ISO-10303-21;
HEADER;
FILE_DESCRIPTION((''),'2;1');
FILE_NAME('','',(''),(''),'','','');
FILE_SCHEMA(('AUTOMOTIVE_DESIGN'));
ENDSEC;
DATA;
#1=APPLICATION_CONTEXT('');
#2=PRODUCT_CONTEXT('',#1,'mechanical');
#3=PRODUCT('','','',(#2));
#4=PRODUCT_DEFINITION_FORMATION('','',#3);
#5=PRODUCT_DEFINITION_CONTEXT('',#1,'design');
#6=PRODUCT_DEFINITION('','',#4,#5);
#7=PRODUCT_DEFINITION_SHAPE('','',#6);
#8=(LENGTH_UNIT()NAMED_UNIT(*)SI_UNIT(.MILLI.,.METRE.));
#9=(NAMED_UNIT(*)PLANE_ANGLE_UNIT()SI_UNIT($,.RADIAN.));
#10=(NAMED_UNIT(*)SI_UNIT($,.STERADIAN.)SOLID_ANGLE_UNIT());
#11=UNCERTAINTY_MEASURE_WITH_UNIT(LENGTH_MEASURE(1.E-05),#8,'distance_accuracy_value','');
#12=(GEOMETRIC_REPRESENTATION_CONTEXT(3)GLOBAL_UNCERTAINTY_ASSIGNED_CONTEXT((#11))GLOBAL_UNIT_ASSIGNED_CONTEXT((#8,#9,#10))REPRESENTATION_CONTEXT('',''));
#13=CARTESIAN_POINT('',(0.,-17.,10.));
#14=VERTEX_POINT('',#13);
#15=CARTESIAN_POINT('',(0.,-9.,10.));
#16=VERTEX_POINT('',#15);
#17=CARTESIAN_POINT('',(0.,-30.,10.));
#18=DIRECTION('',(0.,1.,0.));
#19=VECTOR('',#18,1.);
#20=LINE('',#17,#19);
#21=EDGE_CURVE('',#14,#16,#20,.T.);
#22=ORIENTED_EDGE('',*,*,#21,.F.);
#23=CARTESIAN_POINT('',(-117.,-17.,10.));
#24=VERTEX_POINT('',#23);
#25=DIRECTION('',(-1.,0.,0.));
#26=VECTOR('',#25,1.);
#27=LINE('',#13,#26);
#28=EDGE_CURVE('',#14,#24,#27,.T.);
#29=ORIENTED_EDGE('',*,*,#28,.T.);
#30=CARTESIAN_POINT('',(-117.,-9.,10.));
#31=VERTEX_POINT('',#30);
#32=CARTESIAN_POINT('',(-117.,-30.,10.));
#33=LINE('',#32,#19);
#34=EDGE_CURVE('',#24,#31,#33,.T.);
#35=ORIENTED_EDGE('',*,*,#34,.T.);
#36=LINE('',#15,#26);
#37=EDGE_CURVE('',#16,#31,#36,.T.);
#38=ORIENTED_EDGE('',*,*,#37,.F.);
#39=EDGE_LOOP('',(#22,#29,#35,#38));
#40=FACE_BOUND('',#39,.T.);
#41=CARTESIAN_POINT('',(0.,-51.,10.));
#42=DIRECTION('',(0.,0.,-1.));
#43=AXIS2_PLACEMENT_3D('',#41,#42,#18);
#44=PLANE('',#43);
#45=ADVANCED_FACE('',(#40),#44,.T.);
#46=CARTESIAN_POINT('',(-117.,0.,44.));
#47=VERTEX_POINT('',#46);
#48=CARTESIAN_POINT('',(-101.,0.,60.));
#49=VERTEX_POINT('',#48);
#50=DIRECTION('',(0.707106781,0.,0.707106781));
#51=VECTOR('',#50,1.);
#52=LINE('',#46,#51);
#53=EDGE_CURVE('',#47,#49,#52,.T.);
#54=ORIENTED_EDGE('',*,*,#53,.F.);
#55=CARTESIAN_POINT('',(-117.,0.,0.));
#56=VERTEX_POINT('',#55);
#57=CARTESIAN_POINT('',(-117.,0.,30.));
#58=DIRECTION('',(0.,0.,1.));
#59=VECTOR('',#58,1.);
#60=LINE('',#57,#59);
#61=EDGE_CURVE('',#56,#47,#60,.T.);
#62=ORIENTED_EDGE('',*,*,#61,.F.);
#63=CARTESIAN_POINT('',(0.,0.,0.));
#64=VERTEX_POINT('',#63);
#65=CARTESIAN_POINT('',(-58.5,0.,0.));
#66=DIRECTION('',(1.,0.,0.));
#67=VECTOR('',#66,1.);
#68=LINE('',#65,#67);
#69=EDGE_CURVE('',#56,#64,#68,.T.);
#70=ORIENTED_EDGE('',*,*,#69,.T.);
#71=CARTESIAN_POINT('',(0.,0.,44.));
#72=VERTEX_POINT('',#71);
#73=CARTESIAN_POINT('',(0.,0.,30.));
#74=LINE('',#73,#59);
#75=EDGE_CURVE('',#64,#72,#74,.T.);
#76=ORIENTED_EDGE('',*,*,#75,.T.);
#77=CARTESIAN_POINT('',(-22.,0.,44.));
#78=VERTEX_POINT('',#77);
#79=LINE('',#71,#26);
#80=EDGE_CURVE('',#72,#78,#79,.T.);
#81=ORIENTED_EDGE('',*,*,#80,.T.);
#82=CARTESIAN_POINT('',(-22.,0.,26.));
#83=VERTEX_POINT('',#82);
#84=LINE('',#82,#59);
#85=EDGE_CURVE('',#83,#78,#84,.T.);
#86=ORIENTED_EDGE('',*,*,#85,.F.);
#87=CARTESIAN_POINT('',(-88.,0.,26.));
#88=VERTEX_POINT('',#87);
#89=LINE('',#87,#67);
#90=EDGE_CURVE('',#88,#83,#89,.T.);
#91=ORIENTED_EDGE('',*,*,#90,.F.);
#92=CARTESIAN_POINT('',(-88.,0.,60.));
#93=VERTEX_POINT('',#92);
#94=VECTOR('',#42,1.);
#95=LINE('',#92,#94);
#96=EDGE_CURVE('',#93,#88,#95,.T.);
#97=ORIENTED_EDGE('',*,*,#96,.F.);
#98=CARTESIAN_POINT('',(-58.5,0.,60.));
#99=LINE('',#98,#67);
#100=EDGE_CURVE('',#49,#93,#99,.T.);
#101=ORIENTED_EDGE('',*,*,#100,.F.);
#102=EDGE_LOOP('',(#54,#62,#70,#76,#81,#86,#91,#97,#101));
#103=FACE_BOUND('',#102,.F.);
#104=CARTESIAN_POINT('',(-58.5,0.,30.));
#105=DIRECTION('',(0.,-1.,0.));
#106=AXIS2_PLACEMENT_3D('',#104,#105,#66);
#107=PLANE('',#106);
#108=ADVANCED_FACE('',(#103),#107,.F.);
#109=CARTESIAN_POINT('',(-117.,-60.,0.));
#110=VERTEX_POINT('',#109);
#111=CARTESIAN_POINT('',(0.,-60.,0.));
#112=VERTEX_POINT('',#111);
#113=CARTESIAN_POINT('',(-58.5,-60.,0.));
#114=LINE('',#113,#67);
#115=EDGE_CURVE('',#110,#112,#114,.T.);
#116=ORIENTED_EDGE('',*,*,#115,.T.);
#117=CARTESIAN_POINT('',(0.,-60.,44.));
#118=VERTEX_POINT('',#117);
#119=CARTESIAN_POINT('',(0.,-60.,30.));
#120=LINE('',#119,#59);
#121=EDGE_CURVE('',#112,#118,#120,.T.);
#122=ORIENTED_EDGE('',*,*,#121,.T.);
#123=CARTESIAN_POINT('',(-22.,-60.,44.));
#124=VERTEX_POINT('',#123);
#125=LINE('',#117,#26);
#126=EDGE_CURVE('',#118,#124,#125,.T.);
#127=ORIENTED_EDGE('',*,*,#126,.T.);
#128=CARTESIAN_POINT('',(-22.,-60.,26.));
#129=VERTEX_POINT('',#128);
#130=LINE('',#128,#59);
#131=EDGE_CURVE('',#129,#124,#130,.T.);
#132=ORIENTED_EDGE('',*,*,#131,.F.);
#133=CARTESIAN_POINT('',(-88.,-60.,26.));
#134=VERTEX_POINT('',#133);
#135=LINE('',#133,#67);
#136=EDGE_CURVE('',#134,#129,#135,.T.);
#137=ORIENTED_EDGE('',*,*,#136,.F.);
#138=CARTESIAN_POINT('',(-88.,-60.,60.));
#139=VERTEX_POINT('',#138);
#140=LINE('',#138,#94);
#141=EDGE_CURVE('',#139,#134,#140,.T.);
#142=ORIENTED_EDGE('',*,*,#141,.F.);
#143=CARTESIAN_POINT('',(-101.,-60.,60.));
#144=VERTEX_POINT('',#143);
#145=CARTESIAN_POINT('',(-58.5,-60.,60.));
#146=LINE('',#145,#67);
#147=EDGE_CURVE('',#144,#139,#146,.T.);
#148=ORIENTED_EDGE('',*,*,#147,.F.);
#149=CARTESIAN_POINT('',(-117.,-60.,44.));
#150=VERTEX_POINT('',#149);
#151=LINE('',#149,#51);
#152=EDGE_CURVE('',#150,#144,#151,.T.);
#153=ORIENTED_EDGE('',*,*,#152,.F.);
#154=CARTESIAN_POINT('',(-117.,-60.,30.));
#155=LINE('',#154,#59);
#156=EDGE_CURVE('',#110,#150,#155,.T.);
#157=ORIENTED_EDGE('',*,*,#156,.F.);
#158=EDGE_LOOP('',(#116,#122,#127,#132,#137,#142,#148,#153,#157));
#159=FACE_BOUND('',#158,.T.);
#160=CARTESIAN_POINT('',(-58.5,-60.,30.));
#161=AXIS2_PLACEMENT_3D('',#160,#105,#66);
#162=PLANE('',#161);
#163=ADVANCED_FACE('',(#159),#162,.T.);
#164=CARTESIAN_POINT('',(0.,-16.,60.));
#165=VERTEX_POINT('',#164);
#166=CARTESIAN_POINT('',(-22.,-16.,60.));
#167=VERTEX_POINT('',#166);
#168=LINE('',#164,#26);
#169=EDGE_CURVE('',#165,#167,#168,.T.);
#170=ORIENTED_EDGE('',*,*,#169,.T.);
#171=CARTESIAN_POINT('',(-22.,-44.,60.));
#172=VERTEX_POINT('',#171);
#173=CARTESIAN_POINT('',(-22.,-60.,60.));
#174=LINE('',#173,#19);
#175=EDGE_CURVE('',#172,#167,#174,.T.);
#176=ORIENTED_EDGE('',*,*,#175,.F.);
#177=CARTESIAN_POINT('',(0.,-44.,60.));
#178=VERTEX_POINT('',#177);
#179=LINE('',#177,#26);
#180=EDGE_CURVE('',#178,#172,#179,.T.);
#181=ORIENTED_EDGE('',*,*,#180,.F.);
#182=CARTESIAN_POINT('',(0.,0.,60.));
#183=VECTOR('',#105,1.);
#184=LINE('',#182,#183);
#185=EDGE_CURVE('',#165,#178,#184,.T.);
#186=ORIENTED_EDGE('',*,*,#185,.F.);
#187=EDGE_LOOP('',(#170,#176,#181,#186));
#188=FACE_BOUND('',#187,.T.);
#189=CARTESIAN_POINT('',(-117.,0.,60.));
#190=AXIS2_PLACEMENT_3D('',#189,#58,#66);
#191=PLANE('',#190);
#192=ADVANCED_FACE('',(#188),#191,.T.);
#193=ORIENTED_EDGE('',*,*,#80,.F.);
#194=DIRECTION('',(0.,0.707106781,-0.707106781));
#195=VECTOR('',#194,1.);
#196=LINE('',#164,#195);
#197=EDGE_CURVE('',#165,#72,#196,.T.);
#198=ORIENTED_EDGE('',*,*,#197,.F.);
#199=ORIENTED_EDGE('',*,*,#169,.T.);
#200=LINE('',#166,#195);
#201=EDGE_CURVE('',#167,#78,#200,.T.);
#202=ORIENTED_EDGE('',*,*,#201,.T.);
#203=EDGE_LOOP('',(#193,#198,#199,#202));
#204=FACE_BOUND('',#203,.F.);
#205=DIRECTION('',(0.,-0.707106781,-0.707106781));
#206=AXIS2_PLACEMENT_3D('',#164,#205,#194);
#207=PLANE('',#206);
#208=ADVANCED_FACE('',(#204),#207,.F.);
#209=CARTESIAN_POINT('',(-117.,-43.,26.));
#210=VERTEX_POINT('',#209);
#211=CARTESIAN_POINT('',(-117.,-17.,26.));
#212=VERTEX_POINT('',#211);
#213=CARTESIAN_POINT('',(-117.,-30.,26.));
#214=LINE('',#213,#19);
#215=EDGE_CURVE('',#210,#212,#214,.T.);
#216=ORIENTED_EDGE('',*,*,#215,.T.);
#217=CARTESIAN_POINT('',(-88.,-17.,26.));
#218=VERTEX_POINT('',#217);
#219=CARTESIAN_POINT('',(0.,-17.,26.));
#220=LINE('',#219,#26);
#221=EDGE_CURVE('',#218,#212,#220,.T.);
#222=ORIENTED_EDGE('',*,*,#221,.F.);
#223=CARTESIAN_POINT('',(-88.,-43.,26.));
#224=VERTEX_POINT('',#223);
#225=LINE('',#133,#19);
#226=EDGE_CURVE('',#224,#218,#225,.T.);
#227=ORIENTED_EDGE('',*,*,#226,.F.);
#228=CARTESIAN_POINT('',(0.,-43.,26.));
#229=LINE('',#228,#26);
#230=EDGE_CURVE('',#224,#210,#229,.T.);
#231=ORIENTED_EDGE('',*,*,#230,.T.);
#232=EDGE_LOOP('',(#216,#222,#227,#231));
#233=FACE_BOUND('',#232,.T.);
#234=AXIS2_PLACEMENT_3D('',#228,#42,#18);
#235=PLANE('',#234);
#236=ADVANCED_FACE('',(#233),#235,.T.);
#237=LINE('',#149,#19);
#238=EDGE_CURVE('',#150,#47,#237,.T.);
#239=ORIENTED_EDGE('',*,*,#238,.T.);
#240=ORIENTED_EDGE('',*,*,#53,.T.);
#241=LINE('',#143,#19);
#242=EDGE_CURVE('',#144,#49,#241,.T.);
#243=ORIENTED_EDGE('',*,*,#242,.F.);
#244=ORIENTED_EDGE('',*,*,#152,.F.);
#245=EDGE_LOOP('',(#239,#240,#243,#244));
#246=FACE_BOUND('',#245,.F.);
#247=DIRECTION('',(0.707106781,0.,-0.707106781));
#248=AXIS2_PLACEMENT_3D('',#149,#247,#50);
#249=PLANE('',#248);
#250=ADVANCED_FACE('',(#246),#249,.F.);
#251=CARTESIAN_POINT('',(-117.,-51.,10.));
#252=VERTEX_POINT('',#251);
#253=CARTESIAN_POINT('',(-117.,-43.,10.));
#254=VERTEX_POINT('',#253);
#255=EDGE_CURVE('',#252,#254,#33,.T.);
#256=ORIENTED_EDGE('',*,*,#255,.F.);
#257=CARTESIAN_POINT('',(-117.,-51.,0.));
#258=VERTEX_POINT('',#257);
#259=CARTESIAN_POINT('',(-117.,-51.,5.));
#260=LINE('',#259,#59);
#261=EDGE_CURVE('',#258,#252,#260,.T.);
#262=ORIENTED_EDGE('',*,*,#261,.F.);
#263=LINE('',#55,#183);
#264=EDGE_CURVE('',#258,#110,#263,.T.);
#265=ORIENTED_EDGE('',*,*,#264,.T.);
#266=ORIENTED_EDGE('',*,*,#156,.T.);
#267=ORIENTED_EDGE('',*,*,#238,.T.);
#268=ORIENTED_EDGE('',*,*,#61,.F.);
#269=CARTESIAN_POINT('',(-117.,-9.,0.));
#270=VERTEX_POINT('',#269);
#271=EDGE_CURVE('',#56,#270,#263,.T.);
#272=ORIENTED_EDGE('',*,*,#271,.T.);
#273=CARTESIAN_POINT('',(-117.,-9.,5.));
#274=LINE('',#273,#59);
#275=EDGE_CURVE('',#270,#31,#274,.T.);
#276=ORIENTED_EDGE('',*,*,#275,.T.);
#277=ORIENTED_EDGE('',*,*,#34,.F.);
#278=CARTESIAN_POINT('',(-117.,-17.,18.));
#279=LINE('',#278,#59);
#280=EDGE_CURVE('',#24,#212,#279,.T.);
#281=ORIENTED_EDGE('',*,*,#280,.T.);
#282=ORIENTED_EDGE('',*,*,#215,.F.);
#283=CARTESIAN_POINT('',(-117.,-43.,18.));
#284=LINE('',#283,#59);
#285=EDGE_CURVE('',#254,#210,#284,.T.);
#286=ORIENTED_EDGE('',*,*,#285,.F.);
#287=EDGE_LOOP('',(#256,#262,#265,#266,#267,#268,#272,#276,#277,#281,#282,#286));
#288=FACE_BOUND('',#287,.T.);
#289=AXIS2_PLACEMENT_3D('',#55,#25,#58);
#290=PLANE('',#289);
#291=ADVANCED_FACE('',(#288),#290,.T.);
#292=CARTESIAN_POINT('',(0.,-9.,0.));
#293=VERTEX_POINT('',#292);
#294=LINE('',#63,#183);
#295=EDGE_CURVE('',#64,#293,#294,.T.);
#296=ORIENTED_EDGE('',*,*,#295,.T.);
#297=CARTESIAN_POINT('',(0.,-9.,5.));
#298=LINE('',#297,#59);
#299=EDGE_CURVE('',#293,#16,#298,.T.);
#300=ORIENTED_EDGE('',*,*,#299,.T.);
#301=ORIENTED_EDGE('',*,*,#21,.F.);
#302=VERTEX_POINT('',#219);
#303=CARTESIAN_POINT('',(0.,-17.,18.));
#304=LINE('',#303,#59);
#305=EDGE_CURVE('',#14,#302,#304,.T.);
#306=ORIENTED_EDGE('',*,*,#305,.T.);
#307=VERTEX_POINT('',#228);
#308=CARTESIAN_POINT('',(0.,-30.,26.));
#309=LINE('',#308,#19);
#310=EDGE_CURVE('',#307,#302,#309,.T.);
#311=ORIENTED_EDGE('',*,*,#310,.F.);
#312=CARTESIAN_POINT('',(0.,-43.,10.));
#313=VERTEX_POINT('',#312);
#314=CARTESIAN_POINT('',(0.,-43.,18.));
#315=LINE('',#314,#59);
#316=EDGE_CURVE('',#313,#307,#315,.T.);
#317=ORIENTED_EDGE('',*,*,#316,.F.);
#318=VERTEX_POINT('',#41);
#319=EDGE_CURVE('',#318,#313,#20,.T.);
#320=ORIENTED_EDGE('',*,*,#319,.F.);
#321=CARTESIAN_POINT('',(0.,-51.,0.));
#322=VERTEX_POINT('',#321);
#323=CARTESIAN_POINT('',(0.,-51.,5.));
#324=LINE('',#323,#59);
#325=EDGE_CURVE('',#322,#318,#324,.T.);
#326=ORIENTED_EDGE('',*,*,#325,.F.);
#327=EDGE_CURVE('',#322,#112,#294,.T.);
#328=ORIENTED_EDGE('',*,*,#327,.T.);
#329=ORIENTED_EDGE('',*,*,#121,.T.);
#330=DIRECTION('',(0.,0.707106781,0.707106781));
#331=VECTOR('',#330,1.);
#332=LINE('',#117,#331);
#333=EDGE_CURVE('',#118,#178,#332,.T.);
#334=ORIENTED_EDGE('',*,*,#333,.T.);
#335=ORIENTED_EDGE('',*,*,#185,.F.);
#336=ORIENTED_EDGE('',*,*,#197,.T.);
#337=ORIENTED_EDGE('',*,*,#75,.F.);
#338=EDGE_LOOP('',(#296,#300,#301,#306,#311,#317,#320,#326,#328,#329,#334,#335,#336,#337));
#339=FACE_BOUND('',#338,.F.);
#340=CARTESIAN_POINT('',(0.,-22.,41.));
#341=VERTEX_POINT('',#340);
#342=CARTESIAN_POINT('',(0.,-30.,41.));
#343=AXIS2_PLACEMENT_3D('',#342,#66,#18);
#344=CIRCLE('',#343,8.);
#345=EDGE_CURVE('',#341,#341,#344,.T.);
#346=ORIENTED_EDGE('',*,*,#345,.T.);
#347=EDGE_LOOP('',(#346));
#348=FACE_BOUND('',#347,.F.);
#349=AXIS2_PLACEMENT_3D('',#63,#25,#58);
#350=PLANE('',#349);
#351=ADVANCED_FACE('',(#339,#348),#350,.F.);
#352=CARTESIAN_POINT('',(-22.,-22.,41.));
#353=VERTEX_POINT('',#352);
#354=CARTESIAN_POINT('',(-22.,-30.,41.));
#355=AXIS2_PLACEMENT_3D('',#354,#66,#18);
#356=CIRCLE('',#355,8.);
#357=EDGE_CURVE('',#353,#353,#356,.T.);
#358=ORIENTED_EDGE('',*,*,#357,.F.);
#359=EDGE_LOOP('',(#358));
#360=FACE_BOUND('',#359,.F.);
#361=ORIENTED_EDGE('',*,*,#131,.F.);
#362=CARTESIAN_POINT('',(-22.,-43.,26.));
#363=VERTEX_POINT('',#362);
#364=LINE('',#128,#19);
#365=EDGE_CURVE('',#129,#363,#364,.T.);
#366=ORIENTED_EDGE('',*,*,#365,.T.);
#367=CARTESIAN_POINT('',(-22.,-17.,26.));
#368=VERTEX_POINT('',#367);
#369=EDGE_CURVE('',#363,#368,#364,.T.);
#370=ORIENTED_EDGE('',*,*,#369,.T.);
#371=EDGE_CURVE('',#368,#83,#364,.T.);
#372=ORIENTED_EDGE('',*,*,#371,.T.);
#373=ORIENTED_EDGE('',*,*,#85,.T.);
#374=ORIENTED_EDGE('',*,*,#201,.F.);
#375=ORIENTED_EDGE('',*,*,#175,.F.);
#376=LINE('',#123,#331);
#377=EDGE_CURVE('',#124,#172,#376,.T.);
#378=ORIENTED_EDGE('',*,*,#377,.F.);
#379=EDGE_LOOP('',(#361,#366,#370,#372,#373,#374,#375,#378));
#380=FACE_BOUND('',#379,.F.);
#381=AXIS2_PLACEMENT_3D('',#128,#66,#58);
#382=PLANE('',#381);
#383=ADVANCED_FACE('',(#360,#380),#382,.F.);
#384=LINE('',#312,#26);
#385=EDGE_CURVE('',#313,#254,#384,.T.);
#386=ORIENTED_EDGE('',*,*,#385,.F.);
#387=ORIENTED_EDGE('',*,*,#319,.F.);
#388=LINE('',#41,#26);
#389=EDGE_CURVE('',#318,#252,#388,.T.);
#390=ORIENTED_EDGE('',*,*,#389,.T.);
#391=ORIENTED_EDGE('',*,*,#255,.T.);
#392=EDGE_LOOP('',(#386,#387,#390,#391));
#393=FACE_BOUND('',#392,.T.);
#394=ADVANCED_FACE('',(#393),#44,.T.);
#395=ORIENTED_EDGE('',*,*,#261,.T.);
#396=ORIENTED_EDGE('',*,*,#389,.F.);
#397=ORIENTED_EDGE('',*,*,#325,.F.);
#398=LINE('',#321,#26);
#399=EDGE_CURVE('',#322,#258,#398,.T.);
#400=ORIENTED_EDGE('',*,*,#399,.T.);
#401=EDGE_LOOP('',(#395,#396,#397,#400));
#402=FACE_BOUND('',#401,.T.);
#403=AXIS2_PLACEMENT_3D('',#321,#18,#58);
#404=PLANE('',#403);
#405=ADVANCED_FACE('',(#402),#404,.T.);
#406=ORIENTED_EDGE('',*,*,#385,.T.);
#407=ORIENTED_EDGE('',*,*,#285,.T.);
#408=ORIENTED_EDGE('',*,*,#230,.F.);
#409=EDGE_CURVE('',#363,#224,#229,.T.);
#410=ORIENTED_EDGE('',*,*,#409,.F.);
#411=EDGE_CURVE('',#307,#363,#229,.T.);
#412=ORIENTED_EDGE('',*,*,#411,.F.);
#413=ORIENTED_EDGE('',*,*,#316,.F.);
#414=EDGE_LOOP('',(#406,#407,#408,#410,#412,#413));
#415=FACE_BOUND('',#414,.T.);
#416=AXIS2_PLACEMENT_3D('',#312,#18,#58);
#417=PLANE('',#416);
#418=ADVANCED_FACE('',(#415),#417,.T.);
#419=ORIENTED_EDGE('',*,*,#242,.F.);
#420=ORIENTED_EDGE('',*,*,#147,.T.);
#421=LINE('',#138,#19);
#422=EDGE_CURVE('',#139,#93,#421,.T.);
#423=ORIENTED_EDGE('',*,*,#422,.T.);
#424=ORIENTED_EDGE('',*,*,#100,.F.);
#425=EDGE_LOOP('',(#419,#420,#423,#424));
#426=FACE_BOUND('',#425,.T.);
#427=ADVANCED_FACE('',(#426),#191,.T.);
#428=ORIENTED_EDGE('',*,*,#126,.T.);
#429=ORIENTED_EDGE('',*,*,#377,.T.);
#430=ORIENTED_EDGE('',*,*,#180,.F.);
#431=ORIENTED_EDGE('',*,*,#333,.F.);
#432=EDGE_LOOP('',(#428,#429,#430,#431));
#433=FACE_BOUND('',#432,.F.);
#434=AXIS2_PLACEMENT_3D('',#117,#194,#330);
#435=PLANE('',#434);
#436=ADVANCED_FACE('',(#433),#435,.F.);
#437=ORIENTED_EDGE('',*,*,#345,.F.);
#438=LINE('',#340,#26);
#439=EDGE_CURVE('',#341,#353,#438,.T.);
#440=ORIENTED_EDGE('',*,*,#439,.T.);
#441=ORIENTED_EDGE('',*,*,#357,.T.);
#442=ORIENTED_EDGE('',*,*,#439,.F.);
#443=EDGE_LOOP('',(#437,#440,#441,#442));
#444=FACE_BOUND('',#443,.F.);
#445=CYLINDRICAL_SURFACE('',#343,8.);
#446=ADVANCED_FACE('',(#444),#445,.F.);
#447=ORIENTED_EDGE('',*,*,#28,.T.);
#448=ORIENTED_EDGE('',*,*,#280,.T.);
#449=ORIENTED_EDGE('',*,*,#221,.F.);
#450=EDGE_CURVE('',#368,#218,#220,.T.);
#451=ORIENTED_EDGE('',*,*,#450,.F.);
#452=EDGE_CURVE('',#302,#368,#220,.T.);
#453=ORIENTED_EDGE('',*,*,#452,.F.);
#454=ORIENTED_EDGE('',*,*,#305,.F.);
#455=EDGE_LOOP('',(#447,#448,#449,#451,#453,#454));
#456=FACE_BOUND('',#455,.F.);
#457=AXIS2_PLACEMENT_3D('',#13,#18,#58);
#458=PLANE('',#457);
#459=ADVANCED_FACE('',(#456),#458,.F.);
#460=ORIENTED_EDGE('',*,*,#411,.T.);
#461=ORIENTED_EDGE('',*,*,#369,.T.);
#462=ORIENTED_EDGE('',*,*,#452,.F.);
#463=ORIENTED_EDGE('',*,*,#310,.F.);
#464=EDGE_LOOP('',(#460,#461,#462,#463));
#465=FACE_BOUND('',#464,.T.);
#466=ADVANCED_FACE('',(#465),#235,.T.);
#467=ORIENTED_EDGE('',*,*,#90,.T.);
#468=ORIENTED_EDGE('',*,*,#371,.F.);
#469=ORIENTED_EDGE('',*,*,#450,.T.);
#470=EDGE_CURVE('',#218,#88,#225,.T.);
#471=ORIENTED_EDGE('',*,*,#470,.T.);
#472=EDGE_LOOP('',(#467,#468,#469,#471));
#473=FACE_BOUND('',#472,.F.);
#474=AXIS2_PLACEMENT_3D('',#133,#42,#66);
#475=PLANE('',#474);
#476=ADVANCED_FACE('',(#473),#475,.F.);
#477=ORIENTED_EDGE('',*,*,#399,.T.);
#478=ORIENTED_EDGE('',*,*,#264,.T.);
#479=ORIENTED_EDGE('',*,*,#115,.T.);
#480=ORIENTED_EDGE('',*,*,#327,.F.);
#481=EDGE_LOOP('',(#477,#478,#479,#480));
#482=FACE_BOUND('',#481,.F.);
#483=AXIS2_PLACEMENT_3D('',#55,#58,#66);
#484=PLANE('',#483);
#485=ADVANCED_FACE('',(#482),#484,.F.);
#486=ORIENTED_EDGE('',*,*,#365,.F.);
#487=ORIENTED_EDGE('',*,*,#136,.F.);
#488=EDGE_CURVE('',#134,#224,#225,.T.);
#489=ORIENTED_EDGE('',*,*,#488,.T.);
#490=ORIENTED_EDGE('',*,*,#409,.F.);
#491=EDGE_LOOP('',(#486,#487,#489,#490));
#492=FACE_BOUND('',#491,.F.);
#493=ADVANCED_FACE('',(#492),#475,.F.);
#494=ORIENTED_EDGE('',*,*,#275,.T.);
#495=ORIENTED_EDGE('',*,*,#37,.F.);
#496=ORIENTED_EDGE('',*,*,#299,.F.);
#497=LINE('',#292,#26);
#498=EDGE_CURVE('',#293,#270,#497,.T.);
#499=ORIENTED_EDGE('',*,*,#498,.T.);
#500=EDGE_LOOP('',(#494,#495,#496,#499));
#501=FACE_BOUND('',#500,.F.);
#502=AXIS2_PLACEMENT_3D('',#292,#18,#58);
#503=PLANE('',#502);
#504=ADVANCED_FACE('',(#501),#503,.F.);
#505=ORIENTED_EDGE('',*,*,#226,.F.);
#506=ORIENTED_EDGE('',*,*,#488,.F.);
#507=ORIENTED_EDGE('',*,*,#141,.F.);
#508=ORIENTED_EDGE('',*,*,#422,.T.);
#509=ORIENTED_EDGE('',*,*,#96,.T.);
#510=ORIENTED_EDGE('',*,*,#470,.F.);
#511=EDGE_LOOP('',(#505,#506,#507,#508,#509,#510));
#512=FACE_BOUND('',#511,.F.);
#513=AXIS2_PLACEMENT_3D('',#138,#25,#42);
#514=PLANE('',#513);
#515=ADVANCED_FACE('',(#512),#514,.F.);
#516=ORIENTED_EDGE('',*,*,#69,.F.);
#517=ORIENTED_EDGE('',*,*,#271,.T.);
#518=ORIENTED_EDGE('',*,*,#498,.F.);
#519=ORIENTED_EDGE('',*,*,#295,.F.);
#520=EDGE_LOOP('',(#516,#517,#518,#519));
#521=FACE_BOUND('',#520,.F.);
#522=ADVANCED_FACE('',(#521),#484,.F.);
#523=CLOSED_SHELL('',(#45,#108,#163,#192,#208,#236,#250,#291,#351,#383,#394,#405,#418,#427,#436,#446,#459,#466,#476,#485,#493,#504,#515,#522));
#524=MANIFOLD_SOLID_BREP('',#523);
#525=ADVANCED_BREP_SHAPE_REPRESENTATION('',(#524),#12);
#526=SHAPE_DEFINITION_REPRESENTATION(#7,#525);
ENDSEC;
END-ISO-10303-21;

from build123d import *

# Parameters (mm, degrees)
F0_W      = 117
F0_H      = 60
F1_DEPTH  = 60
F2_W      = 42
F2_H      = 10
F3_DEPTH  = 117
F4_W      = 26
F4_H      = 16
F5_DEPTH  = 117
F7_DEPTH  = 22
F9_DEPTH  = 22
F11_DEPTH = 22
F13_DEPTH = 60
F15_DEPTH = 60


with BuildPart() as f1:
    # F0 (on Front) → F1 (new body)
    with BuildSketch(Plane.XZ):
        with Locations((-58.5, 30)):
            Rectangle(F0_W, F0_H)
    extrude(amount=F1_DEPTH)

    # F2 (on face) → F3 (cut)
    with BuildSketch(Plane.YZ):
        with Locations((-30, 5)):
            Rectangle(F2_W, F2_H)
    extrude(amount=-F3_DEPTH, mode=Mode.SUBTRACT)

    # F4 (on face) → F5 (cut)
    with BuildSketch(Plane.YZ):
        with Locations((-30, 18)):
            Rectangle(F4_W, F4_H)
    extrude(amount=-F5_DEPTH, mode=Mode.SUBTRACT)

    # F6 (on face) → F7 (cut)
    with BuildSketch(Plane.YZ):
        with BuildLine():
            ThreePointArc((-38, 41), (-30, 33), (-22, 41))
            ThreePointArc((-22, 41), (-30, 49), (-38, 41))
        make_face()
    extrude(amount=-F7_DEPTH, mode=Mode.SUBTRACT)

    # F8 (on face) → F9 (cut)
    with BuildSketch(Plane.YZ):
        Polygon((-44, 60), (-60, 60), (-60, 44), align=None)
    extrude(amount=-F9_DEPTH, mode=Mode.SUBTRACT)

    # F10 (on face) → F11 (cut)
    with BuildSketch(Plane.YZ):
        Polygon((0, 44), (0, 60), (-16, 60), align=None)
    extrude(amount=-F11_DEPTH, mode=Mode.SUBTRACT)

    # F12 (on face) → F13 (cut)
    with BuildSketch(Plane.XZ.offset(60)):
        Polygon((-22, 60), (-88, 60), (-88, 26), (-22, 26), (-22, 44), align=None)
    extrude(amount=-F13_DEPTH, mode=Mode.SUBTRACT)

    # F14 (on face) → F15 (cut)
    with BuildSketch(Plane.XZ.offset(60)):
        Polygon((-101, 60), (-117, 60), (-117, 44), align=None)
    extrude(amount=-F15_DEPTH, mode=Mode.SUBTRACT)


solid = f1.part
